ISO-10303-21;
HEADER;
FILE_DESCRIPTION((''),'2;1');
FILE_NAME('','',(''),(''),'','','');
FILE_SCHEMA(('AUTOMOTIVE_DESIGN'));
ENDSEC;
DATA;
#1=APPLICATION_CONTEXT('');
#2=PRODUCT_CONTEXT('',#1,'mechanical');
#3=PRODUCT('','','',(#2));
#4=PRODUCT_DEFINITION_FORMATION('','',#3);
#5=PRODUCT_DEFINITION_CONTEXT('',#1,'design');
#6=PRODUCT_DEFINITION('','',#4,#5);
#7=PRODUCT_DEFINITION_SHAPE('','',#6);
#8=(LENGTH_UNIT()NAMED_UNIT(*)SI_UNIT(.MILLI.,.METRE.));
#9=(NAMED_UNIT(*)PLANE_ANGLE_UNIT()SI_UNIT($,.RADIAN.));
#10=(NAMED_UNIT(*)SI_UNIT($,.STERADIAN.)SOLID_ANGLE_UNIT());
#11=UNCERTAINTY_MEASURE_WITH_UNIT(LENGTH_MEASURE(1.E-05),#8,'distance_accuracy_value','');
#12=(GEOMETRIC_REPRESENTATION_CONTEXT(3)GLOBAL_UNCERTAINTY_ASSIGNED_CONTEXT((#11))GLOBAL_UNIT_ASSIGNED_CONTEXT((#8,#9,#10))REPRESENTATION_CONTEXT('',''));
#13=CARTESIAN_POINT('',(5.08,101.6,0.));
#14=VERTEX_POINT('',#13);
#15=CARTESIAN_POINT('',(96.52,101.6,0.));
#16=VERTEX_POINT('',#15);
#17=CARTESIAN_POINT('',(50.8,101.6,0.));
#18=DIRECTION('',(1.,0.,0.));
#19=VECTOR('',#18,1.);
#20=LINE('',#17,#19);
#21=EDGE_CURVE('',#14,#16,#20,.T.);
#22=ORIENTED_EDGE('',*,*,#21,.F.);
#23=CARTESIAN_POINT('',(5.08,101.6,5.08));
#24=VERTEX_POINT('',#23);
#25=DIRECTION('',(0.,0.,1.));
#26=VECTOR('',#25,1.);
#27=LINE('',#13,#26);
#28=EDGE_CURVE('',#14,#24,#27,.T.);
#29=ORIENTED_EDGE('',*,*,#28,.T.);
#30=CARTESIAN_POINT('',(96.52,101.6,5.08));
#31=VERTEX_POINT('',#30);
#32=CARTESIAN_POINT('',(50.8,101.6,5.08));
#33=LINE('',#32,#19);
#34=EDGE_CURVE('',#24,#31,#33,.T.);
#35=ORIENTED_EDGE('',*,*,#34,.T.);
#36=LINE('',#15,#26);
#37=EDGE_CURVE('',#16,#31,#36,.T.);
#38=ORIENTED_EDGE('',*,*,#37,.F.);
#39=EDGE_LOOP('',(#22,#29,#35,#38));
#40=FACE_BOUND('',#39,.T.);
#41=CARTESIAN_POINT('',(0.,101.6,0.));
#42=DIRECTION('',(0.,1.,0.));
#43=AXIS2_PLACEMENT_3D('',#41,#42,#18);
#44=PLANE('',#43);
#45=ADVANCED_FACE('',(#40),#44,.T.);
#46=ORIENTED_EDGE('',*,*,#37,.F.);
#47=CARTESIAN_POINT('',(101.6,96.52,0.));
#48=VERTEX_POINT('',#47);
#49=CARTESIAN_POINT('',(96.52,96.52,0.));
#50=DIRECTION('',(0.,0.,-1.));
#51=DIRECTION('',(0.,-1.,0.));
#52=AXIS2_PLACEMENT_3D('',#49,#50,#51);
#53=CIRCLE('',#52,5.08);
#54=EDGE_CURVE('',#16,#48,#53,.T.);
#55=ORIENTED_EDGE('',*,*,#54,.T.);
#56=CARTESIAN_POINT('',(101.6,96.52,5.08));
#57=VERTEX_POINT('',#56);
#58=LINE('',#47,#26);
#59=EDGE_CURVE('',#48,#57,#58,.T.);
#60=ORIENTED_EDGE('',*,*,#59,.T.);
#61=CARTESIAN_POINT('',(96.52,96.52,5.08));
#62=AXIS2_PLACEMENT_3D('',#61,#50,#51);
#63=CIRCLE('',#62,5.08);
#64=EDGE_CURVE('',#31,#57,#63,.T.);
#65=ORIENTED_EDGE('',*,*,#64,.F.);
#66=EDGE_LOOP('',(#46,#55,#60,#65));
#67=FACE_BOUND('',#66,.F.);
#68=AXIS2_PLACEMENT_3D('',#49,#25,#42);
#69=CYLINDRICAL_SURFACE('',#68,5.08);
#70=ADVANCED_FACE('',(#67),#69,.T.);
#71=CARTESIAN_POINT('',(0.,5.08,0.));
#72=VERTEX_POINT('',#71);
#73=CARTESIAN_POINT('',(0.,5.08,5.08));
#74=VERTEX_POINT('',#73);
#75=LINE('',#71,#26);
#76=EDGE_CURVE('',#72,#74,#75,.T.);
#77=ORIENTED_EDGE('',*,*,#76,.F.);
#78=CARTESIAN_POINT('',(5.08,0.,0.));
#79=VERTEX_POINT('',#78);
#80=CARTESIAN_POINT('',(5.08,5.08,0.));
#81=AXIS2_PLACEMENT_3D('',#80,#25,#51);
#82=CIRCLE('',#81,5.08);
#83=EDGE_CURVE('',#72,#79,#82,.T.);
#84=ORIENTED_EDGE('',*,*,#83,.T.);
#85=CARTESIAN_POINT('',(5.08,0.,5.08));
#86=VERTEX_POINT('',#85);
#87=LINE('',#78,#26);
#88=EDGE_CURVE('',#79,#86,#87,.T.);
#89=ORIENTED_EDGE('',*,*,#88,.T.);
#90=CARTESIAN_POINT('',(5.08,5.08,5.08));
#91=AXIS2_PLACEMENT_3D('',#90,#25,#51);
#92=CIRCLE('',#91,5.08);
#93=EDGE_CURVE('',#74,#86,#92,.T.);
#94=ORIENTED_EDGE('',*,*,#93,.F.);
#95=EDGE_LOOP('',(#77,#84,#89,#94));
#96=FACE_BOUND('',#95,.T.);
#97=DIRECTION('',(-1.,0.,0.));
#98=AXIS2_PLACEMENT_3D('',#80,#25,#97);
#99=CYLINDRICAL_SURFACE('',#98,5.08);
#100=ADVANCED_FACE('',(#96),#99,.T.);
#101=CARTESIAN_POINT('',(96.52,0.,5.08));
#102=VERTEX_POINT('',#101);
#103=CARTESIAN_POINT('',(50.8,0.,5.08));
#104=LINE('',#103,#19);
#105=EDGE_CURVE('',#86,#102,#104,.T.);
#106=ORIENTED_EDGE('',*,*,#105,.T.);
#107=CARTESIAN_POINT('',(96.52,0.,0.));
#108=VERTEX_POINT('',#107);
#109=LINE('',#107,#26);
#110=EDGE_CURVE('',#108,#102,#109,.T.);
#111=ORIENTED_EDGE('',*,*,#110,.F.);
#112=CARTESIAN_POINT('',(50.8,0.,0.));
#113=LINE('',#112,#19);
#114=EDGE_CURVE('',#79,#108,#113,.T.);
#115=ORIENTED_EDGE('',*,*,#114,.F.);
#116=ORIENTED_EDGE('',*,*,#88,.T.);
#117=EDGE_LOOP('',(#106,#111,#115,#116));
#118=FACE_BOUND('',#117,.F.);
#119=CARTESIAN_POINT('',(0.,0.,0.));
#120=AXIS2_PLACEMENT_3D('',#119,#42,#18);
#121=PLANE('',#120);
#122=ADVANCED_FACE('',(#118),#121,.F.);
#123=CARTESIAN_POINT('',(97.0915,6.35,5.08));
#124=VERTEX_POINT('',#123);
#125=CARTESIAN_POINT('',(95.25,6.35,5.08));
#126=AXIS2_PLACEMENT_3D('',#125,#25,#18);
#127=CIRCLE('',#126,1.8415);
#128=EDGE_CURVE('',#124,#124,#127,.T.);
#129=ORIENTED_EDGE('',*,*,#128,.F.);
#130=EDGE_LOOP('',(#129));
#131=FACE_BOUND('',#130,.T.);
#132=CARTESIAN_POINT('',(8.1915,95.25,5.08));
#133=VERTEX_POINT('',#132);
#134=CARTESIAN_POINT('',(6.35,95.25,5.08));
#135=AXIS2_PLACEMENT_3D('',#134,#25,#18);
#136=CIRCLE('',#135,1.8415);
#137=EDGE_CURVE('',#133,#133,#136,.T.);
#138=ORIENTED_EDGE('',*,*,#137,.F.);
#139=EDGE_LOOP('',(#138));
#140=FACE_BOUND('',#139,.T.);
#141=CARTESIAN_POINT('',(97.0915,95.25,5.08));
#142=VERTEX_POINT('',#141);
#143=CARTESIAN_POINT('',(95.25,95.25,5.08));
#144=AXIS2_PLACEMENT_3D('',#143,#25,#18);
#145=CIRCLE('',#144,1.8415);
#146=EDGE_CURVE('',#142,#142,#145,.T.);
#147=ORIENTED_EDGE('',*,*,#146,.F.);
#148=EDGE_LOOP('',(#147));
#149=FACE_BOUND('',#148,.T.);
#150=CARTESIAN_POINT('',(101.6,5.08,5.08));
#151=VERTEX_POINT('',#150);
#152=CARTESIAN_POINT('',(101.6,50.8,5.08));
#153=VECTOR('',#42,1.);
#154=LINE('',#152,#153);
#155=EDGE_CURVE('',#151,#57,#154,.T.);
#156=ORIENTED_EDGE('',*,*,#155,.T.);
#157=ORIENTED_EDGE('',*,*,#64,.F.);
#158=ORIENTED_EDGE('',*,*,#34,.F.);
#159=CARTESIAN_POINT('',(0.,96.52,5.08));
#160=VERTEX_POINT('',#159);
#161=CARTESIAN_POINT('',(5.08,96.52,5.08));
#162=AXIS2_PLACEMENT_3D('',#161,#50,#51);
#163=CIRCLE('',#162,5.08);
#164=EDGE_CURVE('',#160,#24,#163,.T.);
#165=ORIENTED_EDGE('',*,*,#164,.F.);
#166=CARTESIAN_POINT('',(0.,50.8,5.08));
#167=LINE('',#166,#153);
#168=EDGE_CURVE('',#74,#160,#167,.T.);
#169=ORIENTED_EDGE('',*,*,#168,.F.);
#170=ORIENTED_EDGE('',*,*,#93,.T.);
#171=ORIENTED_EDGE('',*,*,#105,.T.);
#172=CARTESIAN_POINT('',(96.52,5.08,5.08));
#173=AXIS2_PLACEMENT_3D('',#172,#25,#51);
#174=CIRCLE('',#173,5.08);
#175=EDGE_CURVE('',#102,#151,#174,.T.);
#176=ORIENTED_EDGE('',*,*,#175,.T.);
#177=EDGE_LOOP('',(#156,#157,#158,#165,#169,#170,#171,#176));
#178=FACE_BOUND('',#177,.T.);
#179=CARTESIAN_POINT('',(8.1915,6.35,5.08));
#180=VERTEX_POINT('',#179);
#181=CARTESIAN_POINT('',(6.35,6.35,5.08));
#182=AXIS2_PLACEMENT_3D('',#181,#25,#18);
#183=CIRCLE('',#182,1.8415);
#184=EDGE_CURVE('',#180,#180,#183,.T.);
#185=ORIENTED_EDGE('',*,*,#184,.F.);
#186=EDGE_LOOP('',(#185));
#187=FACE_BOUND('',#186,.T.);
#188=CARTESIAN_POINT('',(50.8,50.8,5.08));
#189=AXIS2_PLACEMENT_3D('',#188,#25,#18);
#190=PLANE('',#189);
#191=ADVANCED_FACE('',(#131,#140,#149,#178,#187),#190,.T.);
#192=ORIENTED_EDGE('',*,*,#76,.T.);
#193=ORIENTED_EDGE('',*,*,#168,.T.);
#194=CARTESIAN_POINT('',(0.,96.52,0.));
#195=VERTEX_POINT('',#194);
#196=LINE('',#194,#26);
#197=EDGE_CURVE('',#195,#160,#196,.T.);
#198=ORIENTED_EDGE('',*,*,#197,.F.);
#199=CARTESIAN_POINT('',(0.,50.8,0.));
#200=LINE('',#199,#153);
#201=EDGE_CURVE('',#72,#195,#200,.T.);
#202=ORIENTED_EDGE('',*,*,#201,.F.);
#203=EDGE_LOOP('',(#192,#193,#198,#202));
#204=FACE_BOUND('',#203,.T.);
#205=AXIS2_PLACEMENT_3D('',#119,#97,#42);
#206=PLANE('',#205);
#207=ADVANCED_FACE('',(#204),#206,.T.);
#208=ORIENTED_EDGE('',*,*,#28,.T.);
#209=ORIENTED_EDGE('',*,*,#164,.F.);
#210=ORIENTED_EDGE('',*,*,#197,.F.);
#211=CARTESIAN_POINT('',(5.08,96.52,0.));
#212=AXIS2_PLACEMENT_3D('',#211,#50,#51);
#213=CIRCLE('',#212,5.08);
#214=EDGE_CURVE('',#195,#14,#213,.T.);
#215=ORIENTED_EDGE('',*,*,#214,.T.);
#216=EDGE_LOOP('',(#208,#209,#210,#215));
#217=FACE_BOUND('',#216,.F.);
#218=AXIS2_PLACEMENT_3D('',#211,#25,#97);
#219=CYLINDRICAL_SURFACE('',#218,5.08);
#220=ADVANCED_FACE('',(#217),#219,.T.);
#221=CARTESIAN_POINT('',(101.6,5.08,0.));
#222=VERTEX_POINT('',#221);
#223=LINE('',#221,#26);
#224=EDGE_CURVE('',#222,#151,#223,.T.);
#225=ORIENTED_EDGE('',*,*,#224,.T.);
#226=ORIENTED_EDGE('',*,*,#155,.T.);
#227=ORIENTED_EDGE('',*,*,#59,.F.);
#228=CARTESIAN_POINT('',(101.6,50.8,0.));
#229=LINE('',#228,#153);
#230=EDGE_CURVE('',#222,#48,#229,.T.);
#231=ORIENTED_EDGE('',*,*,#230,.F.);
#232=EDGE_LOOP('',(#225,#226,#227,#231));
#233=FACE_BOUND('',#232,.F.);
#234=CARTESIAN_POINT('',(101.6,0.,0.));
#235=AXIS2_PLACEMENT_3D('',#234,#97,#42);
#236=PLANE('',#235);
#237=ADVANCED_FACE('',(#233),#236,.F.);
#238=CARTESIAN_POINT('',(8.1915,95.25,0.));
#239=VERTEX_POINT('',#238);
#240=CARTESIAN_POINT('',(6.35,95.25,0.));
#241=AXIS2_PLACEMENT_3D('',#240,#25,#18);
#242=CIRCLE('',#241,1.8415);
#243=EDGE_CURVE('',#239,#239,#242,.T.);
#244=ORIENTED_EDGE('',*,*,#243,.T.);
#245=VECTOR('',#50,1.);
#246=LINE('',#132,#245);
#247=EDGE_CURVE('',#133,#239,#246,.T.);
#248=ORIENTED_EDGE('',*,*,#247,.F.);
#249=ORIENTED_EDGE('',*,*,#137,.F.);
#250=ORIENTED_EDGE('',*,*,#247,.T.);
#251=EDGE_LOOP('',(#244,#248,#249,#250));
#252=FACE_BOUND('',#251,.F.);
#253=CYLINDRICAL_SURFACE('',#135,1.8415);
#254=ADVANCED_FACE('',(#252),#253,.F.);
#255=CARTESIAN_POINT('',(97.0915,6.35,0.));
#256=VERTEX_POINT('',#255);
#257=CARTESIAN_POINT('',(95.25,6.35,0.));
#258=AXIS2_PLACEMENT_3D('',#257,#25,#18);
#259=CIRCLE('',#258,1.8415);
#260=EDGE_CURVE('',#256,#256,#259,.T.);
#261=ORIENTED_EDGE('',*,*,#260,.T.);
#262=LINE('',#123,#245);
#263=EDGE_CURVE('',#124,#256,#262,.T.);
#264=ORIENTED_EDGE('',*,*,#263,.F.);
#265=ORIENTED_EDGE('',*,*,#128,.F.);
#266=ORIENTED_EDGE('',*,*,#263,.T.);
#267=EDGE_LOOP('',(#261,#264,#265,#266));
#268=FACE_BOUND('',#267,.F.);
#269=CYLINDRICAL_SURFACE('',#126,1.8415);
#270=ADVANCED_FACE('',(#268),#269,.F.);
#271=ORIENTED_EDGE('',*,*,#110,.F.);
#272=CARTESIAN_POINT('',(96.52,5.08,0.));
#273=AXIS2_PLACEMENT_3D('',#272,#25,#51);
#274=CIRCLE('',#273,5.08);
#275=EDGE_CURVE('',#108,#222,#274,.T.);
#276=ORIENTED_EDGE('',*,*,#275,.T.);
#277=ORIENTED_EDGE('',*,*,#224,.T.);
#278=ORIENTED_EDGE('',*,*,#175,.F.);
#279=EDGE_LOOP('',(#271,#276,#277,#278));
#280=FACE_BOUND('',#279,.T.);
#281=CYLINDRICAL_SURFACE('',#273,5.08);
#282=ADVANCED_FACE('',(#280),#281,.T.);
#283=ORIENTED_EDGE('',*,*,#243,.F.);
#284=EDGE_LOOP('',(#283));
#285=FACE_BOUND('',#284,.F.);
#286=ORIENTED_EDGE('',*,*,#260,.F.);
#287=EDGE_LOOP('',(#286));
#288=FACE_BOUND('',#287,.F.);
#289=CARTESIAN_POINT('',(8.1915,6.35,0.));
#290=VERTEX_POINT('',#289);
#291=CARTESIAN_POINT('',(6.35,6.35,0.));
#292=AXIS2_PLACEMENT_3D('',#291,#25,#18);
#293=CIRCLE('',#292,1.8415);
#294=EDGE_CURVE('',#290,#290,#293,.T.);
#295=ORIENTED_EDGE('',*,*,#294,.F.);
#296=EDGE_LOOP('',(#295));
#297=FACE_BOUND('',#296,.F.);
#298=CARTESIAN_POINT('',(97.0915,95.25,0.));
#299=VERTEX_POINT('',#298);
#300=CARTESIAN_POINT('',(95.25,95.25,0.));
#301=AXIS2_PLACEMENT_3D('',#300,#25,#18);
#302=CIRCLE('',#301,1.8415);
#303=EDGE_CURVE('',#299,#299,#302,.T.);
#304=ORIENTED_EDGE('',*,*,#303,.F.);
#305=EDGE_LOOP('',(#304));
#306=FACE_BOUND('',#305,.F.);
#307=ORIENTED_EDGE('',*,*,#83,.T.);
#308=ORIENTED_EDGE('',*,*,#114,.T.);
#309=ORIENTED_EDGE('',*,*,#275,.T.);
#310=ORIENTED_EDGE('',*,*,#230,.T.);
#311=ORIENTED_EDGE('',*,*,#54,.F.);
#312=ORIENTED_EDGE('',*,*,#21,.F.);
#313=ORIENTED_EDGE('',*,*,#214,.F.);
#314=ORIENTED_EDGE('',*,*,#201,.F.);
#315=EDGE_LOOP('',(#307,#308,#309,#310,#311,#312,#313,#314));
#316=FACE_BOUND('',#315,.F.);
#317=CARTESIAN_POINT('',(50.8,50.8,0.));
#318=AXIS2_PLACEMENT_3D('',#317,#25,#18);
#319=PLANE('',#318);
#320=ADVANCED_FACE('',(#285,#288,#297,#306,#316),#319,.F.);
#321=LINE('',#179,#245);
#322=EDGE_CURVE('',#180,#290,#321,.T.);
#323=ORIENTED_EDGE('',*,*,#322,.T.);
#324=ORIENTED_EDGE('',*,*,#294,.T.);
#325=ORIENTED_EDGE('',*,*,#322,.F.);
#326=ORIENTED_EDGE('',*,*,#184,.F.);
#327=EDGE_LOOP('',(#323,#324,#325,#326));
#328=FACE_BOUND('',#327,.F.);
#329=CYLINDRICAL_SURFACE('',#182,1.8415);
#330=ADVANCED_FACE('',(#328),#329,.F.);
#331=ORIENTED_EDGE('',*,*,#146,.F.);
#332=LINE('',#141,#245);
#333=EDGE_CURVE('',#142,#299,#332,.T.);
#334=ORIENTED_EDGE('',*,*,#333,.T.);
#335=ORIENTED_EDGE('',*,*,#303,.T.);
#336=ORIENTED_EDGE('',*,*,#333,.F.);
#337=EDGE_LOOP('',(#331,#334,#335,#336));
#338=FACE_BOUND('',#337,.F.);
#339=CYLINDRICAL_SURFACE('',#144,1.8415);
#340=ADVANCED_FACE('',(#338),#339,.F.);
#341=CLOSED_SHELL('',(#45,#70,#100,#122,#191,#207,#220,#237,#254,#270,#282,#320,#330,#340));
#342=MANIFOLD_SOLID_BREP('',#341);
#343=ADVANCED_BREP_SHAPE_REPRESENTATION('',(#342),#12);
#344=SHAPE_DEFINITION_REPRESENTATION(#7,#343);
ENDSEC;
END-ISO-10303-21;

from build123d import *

# Parameters (mm, degrees)
F0_W     = 101.6
F0_H     = 101.6
F1_DEPTH = 5.08
F2_R     = 1.8415
F3_DEPTH = 5.081
F4_R     = 5.08


with BuildPart() as f1:
    # F0 (on Top) → F1 (new body)
    with BuildSketch(Plane.XY):
        with Locations((50.8, 50.8)):
            Rectangle(F0_W, F0_H)
    extrude(amount=F1_DEPTH)

    # F2 (on face) → F3 (cut, through all)
    with BuildSketch(Plane.XY.offset(5.08)):
        with Locations((6.35, 95.25)):
            Circle(F2_R)
        with Locations((95.25, 95.25)):
            Circle(F2_R)
        with Locations((95.25, 6.35)):
            Circle(F2_R)
        with Locations((6.35, 6.35)):
            Circle(F2_R)
    extrude(amount=-F3_DEPTH, mode=Mode.SUBTRACT)

    # F4
    f4_edges = [f1.edges().sort_by_distance(p)[0] for p in [
        (0, 0, 2.54),
        (101.6, 0, 2.54),
        (101.6, 101.6, 2.54),
        (0, 101.6, 2.54),
    ]]
    fillet(f4_edges, radius=F4_R)


solid = f1.part
